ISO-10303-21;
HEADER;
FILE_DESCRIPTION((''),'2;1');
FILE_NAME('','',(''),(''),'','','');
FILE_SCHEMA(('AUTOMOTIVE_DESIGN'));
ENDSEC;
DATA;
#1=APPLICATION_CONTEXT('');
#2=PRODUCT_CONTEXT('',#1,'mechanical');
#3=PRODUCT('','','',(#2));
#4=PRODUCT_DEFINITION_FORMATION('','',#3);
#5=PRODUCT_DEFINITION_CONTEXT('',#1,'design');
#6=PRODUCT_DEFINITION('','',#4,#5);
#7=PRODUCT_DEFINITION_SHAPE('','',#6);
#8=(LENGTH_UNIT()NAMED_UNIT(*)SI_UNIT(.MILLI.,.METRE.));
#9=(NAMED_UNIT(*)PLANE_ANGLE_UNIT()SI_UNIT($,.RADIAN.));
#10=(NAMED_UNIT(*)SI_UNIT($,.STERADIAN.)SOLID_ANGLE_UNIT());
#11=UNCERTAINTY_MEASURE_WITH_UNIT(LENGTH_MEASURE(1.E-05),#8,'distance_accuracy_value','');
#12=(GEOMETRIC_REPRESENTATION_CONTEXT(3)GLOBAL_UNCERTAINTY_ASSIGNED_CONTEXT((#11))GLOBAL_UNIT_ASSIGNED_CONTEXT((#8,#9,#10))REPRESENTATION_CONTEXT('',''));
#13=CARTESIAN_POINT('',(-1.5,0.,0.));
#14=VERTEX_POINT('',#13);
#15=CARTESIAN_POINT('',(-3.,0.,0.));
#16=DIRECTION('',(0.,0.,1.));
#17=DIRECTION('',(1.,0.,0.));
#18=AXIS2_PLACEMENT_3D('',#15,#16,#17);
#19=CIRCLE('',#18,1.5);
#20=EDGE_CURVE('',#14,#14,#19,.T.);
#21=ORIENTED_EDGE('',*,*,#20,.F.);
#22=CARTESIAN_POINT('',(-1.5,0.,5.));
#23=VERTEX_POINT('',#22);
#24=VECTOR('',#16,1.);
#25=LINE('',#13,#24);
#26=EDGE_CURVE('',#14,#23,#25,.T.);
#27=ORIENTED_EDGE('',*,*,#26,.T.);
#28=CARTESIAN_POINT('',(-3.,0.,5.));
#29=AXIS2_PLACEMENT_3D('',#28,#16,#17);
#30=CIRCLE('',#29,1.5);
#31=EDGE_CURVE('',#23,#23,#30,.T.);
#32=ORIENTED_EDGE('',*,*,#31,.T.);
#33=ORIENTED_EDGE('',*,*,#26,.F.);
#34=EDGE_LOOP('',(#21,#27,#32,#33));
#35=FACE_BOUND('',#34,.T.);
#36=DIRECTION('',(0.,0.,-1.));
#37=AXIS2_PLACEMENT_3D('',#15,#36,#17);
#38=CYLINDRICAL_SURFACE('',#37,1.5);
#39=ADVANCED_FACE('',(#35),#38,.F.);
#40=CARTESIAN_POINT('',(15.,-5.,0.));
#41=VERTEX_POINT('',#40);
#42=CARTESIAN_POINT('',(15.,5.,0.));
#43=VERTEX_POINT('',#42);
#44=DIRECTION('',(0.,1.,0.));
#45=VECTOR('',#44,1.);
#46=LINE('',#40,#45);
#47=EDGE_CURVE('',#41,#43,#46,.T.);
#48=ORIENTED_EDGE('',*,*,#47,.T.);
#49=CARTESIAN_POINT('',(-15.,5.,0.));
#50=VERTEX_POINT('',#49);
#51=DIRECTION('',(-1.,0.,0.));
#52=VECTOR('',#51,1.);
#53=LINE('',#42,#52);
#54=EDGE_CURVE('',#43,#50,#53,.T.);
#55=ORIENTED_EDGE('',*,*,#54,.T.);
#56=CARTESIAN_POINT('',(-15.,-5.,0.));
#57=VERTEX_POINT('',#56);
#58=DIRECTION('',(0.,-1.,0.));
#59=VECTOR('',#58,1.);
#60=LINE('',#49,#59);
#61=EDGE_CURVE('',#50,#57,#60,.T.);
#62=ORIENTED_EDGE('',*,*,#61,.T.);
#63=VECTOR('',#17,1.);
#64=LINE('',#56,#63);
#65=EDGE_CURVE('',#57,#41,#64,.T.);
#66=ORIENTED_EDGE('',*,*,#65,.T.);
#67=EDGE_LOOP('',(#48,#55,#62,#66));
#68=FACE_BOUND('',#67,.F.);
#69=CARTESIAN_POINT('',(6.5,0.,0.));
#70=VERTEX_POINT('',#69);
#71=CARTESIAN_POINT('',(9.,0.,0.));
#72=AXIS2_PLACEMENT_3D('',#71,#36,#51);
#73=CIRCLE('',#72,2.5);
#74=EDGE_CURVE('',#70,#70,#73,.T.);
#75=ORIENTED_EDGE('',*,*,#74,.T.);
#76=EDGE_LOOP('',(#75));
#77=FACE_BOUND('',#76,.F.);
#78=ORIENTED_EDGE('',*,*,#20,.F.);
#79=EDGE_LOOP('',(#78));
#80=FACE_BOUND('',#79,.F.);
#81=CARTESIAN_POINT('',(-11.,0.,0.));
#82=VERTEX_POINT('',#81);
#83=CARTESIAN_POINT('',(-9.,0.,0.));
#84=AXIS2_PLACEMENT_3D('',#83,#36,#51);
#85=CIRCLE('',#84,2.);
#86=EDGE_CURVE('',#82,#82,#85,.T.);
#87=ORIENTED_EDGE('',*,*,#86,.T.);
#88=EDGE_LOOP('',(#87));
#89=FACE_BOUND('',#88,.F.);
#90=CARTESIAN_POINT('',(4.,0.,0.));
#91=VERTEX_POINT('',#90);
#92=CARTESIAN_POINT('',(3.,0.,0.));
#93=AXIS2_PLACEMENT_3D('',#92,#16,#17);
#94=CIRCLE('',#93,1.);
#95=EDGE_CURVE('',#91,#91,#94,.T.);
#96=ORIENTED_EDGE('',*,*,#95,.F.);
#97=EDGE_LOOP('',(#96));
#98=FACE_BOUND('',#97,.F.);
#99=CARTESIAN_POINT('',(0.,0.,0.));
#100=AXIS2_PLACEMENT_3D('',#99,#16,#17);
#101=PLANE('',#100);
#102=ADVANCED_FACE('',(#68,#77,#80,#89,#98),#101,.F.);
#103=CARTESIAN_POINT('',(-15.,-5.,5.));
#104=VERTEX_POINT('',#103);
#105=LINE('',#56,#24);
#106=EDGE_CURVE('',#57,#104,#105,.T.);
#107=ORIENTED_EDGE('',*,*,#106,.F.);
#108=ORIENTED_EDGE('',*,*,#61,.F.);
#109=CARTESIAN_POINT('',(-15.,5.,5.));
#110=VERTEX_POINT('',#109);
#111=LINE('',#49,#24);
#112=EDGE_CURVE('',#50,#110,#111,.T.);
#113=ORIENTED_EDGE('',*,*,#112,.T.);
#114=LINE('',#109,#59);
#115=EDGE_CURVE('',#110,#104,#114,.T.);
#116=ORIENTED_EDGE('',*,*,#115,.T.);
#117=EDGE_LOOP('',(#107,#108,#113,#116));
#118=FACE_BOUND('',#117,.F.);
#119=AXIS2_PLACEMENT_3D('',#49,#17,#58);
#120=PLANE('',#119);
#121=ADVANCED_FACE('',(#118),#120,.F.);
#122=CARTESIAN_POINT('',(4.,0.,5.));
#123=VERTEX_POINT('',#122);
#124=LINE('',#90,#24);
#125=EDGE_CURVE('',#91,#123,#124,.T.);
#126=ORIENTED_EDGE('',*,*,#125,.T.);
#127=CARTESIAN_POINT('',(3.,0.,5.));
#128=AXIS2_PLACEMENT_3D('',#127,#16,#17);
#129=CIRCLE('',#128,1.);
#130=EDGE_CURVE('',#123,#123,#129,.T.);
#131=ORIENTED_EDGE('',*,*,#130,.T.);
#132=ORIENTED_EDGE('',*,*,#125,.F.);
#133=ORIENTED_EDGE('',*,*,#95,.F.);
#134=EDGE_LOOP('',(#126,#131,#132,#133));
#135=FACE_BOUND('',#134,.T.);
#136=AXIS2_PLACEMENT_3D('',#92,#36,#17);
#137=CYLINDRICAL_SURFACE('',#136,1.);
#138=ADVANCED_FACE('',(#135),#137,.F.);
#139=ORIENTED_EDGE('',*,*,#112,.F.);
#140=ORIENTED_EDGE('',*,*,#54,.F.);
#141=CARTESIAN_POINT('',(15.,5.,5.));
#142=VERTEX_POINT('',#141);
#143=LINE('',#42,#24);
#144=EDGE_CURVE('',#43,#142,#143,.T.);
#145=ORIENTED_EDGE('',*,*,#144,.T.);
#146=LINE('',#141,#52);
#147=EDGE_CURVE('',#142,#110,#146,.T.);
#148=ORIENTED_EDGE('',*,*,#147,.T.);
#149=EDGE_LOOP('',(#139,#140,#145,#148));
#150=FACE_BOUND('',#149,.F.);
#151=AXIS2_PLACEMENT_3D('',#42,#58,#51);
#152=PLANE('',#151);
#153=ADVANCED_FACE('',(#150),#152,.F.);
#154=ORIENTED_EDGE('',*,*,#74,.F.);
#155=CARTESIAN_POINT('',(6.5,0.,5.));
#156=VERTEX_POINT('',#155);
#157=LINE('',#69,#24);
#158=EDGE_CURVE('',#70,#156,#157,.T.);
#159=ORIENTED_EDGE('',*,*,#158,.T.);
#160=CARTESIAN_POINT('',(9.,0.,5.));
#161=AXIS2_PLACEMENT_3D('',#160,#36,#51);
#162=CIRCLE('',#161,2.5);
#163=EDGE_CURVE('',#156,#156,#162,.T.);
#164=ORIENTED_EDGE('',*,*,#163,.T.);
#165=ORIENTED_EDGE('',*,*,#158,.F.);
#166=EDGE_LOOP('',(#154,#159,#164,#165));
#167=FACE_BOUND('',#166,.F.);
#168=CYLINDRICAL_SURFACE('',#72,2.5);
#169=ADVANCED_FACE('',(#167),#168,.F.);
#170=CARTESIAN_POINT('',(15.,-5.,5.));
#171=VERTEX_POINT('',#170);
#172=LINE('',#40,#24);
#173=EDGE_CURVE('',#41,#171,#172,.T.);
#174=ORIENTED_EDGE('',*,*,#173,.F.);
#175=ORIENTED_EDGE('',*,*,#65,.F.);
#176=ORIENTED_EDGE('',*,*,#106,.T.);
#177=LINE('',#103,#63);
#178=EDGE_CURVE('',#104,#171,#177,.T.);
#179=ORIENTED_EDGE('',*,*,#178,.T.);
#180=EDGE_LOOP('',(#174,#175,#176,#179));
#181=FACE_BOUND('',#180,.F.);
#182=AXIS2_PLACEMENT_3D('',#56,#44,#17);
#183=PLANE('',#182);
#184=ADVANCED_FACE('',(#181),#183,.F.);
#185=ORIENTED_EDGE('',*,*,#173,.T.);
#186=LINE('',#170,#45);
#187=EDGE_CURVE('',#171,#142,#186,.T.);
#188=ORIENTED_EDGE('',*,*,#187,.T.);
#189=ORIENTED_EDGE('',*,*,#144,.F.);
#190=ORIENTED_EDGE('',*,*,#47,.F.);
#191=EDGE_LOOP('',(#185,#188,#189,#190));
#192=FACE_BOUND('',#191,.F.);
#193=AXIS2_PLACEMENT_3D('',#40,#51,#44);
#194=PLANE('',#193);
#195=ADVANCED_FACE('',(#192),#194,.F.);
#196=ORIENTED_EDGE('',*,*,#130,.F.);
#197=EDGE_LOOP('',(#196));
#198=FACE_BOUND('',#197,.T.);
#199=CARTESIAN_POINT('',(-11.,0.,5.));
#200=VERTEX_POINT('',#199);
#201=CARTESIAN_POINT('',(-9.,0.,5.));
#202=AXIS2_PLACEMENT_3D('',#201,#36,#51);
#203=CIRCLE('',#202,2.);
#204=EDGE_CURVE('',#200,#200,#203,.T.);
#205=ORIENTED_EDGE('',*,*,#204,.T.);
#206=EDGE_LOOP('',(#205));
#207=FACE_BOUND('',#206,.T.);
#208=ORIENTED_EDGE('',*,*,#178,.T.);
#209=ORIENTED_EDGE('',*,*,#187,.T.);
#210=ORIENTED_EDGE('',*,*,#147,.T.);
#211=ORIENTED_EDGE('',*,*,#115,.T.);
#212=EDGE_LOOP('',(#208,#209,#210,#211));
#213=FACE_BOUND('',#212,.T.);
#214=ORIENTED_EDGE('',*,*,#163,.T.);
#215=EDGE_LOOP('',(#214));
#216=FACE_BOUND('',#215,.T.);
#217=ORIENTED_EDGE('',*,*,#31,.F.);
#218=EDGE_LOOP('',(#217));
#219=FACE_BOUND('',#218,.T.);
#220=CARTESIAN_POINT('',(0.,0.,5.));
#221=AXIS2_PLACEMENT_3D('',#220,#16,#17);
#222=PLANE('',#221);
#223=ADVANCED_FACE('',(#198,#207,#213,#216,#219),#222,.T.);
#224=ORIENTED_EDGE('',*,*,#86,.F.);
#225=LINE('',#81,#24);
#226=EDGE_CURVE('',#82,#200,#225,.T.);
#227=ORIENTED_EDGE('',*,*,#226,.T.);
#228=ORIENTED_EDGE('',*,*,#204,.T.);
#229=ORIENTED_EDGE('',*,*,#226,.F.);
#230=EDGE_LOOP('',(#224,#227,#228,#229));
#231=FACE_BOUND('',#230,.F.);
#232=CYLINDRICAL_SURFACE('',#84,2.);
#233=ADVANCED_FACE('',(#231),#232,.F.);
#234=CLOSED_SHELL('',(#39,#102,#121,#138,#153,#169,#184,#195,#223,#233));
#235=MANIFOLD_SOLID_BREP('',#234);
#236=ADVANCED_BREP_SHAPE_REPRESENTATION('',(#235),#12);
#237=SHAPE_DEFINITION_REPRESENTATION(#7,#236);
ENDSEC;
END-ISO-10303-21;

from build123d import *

# Parameters (mm, degrees)
F0_R     = 1.5
F0_R_2   = 1
F1_DEPTH = 5


with BuildPart() as f1:
    # F0 (on Top) → F1 (new body)
    with BuildSketch(Plane.XY):
        Polygon((-15, -5), (15, -5), (15, 5), (-15, 5), (-15, 0), align=None)
        with BuildLine():
            ThreePointArc((-7, 0), (-9, -2), (-11, 0))
            ThreePointArc((-11, 0), (-9, 2), (-7, 0))
        make_face(mode=Mode.SUBTRACT)
        with Locations((-3, 0)):
            Circle(F0_R, mode=Mode.SUBTRACT)
        with Locations((3, 0)):
            Circle(F0_R_2, mode=Mode.SUBTRACT)
        with BuildLine():
            ThreePointArc((11.5, 0), (9, -2.5), (6.5, 0))
            ThreePointArc((6.5, 0), (9, 2.5), (11.5, 0))
        make_face(mode=Mode.SUBTRACT)
    extrude(amount=F1_DEPTH)


solid = f1.part
